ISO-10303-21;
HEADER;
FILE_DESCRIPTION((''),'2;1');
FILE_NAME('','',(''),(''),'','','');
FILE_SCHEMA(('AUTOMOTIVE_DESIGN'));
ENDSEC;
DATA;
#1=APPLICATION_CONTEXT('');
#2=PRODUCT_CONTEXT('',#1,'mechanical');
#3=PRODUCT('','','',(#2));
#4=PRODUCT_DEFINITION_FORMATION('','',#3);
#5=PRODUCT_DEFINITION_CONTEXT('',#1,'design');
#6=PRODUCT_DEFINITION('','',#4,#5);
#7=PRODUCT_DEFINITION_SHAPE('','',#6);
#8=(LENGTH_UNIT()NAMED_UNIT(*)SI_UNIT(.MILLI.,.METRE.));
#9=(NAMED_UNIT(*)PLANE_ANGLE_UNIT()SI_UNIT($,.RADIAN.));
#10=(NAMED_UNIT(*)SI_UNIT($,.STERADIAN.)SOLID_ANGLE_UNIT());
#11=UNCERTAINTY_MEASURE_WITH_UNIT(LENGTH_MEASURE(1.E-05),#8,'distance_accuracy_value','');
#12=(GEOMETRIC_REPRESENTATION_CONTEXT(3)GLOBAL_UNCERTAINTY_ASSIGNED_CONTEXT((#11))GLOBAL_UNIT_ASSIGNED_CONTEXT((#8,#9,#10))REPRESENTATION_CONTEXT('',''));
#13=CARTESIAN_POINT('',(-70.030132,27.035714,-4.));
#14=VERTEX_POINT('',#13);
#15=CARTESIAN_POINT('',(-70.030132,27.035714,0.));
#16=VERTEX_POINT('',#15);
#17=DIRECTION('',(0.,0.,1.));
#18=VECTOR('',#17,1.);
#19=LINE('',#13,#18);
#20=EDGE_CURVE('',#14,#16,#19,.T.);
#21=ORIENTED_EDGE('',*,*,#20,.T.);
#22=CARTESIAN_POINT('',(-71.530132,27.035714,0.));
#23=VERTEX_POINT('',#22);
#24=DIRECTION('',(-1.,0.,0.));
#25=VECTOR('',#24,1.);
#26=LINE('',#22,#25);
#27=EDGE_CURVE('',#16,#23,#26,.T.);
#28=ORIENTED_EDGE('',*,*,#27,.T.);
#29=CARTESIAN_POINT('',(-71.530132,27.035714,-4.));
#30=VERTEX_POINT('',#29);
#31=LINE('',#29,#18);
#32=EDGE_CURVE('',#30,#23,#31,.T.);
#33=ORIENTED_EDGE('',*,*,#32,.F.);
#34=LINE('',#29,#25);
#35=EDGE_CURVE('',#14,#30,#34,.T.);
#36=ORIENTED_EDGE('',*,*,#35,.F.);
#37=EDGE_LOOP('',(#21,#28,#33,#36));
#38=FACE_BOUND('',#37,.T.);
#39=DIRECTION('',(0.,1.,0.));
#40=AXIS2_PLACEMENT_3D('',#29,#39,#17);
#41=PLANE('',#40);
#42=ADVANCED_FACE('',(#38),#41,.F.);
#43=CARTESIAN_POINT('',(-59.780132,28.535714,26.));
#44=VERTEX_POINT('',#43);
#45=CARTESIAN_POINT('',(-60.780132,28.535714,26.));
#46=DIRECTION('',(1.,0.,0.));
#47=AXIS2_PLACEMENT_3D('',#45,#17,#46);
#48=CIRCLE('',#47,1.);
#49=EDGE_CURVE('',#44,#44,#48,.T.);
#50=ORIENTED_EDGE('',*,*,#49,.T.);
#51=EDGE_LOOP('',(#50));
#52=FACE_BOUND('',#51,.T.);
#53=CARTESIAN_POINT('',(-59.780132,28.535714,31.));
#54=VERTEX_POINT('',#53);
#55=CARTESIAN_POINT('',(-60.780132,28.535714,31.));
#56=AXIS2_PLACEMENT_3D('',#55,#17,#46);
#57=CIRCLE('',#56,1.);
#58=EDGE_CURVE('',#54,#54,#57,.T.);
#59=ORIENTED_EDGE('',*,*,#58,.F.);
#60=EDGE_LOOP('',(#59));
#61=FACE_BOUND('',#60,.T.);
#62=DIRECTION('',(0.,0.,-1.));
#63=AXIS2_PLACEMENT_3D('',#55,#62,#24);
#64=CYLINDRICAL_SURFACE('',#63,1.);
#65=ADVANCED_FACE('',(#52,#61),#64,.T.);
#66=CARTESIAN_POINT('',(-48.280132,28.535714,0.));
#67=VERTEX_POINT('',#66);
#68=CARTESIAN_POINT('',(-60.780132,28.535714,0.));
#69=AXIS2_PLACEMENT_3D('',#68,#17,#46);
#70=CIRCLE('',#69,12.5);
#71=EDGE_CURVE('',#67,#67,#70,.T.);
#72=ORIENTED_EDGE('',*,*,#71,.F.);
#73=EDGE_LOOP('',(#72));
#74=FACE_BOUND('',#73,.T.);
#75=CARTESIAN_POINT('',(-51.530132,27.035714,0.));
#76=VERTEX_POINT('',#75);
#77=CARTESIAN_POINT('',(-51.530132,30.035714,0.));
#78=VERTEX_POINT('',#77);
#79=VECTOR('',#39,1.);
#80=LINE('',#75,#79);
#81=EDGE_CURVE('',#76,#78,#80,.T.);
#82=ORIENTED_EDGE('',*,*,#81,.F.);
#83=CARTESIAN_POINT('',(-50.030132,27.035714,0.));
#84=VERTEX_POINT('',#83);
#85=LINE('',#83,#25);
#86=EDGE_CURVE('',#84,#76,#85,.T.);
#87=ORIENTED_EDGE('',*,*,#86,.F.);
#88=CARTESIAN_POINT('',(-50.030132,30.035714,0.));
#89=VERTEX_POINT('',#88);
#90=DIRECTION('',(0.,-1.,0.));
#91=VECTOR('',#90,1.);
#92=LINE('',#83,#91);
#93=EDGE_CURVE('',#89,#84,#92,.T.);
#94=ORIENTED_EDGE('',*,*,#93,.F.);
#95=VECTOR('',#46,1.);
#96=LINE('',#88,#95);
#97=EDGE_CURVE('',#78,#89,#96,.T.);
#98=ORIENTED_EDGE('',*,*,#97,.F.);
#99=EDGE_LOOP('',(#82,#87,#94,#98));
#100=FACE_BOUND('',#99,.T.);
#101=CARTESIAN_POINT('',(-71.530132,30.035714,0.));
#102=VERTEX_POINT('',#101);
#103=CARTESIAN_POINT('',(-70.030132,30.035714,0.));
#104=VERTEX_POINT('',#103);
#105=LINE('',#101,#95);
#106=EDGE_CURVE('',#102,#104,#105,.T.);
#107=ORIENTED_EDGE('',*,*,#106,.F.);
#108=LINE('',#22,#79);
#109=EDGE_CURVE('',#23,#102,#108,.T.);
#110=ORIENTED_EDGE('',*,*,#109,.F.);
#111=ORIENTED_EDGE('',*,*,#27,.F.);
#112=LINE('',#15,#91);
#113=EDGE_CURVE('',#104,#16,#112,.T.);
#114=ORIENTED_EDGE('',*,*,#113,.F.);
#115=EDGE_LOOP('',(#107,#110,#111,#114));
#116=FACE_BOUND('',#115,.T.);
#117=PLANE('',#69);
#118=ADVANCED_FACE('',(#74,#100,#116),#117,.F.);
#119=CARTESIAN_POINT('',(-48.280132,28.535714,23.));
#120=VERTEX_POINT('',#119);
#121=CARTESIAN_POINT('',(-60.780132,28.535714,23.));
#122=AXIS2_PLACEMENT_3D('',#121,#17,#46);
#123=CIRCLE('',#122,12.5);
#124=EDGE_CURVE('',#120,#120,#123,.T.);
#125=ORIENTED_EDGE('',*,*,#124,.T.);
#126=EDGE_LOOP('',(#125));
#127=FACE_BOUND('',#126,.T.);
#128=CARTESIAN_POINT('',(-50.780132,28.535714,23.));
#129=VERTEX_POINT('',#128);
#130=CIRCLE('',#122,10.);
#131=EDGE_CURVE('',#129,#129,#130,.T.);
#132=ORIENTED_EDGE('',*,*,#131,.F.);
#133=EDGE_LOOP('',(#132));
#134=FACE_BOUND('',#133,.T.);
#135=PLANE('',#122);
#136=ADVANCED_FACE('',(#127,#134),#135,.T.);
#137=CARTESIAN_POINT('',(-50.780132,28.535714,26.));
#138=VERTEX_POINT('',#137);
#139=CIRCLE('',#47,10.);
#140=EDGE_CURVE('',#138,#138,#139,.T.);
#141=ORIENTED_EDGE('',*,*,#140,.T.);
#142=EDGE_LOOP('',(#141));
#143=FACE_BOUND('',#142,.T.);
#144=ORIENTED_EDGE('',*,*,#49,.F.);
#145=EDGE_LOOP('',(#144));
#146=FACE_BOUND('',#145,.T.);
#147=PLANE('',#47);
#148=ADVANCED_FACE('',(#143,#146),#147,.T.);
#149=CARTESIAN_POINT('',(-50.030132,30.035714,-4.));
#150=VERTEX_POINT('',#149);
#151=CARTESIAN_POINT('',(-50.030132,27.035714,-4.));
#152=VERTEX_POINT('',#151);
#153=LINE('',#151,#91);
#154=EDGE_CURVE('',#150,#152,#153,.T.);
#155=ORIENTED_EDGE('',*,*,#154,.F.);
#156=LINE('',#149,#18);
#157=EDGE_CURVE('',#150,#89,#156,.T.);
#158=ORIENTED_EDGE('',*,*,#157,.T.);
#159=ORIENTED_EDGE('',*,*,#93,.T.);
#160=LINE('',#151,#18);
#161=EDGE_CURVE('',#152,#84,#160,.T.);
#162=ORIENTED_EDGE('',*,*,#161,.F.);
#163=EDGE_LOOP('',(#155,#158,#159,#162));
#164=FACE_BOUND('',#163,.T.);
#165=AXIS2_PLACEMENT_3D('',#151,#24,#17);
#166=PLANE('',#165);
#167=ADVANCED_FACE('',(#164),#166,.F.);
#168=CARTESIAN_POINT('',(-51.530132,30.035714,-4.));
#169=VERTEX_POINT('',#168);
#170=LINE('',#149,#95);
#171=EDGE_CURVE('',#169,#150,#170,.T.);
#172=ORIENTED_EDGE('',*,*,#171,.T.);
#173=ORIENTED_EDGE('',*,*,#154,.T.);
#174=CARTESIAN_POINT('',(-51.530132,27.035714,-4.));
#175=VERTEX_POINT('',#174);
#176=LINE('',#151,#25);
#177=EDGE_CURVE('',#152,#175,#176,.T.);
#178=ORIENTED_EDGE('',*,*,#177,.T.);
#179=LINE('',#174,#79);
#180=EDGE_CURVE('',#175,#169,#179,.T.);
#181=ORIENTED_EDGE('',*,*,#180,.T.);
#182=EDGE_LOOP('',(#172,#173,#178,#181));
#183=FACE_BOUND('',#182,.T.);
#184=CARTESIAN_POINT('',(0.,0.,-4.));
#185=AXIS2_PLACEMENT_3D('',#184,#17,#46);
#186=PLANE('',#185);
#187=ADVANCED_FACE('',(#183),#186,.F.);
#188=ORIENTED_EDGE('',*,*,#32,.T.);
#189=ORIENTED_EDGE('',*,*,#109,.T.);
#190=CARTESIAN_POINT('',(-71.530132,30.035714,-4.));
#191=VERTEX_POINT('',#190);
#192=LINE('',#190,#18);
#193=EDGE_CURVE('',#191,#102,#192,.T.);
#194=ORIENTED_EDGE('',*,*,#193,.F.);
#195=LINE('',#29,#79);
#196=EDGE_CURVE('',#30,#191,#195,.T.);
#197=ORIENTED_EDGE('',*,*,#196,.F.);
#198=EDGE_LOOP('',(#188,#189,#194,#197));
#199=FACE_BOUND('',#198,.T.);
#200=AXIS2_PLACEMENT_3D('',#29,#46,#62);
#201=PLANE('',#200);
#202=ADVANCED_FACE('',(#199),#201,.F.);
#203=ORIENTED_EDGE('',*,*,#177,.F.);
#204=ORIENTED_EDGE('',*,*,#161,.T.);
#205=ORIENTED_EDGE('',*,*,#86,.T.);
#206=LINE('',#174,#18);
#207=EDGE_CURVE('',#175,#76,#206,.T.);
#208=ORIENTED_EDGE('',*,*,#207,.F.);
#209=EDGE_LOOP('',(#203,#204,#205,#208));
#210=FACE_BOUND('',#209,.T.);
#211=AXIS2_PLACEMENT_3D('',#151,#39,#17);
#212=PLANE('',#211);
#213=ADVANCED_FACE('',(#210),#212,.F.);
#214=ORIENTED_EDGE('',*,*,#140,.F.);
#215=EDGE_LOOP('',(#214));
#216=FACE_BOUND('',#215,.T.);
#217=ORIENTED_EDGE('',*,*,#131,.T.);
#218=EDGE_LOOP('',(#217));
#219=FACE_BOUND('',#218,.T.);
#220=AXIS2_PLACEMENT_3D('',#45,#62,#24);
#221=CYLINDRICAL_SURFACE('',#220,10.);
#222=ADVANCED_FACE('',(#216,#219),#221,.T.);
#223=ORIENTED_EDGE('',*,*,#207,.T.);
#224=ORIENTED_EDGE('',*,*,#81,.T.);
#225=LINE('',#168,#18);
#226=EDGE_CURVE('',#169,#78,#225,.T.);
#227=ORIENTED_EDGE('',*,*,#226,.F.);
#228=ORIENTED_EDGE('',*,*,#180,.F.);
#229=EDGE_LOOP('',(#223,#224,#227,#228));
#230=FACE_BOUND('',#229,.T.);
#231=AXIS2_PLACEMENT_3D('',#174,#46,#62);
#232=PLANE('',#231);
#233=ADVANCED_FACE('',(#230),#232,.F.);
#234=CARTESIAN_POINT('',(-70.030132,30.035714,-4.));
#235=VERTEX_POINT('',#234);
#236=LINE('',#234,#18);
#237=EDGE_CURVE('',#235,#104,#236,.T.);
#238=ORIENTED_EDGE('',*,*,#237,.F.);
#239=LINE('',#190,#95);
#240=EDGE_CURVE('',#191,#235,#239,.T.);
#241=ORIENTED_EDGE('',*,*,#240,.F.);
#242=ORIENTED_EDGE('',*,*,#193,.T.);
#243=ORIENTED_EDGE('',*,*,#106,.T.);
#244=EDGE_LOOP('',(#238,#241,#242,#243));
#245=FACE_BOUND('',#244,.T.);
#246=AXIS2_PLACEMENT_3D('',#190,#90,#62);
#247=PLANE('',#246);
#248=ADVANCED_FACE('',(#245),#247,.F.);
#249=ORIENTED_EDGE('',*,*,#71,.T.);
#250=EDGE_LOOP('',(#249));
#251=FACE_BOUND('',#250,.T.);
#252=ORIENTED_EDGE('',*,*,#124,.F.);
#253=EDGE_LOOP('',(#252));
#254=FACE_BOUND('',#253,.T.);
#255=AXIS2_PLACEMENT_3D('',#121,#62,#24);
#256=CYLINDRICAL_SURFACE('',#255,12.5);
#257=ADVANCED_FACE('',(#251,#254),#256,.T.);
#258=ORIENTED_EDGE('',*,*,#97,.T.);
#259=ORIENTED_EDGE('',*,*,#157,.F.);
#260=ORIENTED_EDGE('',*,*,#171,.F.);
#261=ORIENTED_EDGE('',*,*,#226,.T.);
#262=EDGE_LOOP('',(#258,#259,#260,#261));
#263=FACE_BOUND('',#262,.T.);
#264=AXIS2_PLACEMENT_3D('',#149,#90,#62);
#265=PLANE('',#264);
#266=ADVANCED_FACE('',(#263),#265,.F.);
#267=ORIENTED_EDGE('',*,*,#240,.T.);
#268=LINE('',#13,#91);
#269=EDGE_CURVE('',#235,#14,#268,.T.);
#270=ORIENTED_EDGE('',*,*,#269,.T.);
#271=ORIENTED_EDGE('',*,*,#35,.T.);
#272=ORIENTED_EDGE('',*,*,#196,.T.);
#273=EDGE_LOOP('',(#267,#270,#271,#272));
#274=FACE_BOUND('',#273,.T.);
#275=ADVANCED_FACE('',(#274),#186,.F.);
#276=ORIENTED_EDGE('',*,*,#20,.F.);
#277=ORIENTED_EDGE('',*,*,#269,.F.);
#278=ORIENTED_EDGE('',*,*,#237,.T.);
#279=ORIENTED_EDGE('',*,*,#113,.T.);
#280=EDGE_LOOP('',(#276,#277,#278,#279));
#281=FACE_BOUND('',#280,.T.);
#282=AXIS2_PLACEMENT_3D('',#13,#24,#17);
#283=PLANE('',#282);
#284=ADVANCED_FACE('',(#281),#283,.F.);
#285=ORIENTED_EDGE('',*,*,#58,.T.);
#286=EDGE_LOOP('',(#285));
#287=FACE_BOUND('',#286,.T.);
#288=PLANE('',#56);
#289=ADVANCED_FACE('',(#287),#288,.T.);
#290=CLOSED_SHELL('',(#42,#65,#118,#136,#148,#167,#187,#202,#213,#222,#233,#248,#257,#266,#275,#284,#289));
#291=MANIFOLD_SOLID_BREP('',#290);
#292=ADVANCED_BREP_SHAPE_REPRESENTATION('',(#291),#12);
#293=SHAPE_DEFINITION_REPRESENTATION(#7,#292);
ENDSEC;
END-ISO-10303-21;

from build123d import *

# Parameters (mm, degrees)
ESQUISSE1_R        = 12.5
BOSS_EXTRU_1_DEPTH = 23
ESQUISSE2_R        = 10
BOSS_EXTRU_2_DEPTH = 3
ESQUISSE3_R        = 1
BOSS_EXTRU_3_DEPTH = 5
ESQUISSE4_W        = 1.5
ESQUISSE4_H        = 3
BOSS_EXTRU_4_DEPTH = 4


with BuildPart() as part:
    # Esquisse1 → Boss.-Extru.1 (new body)
    with BuildSketch(Plane.XY):
        with Locations((-60.780131723, 28.535714286)):
            Circle(ESQUISSE1_R)
    extrude(amount=BOSS_EXTRU_1_DEPTH)

    # Esquisse2 → Boss.-Extru.2 (add)
    with BuildSketch(Plane.XY.offset(23)):
        with Locations((-60.780131723, 28.535714286)):
            Circle(ESQUISSE2_R)
    extrude(amount=BOSS_EXTRU_2_DEPTH)

    # Esquisse3 → Boss.-Extru.3 (add)
    with BuildSketch(Plane.XY.offset(26)):
        with Locations((-60.780131723, 28.535714286)):
            Circle(ESQUISSE3_R)
    extrude(amount=BOSS_EXTRU_3_DEPTH)

    # Esquisse4 → Boss.-Extru.4 (add)
    with BuildSketch(Plane(origin=(0, 0, 0), x_dir=(-1, 0, 0), z_dir=(0, 0, -1))):
        with Locations((70.780131723, 28.535714286)):
            Rectangle(ESQUISSE4_W, ESQUISSE4_H)
        with Locations((50.780131723, 28.535714286)):
            Rectangle(ESQUISSE4_W, ESQUISSE4_H)
    extrude(amount=BOSS_EXTRU_4_DEPTH)


solid = part.part
